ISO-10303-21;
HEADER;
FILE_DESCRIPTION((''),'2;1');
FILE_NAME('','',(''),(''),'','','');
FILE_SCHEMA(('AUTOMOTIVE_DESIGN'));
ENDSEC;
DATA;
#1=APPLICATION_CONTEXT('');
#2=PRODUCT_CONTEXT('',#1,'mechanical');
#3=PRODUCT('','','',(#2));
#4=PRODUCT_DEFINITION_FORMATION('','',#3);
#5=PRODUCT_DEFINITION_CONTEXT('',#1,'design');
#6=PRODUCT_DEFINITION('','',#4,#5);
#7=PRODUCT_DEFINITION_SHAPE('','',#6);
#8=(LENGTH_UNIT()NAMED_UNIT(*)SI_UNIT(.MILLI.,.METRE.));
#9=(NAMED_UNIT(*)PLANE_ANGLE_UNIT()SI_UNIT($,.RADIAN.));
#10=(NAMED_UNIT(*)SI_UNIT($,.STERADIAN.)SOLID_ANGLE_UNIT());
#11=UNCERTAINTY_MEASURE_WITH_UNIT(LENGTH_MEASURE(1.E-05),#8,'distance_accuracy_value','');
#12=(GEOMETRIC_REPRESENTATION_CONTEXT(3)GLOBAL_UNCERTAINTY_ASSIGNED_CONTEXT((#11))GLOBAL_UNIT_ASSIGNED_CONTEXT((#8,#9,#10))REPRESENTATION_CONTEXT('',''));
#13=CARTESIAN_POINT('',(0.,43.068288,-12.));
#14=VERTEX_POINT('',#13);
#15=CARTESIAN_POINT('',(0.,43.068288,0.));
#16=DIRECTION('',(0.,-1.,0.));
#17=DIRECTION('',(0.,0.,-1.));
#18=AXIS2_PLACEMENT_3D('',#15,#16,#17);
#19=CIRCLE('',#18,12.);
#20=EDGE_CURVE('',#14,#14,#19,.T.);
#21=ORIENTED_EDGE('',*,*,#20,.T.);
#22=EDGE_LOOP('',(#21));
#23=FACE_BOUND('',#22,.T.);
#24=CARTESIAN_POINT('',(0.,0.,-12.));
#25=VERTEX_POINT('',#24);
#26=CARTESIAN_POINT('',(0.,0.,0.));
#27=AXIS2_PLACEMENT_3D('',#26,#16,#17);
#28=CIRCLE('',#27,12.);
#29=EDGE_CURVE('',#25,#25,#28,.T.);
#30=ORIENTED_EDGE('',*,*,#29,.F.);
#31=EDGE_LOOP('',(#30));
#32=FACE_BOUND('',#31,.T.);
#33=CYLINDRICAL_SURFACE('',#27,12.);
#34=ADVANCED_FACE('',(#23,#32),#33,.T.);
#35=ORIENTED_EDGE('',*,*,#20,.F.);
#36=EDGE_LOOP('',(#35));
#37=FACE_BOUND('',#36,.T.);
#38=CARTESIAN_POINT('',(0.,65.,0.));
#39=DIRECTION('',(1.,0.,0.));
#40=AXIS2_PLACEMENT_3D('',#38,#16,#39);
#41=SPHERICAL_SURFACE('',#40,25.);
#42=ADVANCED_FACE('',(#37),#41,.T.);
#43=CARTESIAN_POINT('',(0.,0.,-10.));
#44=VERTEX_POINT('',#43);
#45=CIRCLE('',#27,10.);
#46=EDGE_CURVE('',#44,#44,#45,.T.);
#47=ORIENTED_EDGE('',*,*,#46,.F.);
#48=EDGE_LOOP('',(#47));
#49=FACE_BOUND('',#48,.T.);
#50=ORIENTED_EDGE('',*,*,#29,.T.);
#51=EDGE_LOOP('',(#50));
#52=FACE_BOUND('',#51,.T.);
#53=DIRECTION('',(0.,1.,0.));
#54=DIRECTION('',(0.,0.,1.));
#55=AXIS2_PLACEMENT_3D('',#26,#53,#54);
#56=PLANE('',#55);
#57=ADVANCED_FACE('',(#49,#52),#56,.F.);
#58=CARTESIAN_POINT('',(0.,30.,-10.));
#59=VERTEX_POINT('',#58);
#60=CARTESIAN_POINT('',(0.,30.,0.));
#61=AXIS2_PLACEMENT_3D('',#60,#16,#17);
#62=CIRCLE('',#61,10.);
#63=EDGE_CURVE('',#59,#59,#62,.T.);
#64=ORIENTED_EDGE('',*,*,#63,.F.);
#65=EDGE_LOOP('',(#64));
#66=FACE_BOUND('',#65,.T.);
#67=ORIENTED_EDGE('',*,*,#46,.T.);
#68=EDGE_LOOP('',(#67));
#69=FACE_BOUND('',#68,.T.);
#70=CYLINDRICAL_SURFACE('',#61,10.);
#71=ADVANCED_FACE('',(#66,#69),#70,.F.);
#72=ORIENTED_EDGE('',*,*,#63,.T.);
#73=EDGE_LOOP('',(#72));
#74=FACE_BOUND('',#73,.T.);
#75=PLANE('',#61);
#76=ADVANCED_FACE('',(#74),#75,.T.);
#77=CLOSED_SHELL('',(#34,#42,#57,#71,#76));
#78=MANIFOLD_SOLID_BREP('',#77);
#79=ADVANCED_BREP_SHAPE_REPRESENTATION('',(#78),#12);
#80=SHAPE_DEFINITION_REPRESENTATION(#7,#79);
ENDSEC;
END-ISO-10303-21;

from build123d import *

# Parameters (mm, degrees)
SKETCH2_R          = 10
SKETCH2_R_2        = 5
CUT_EXTRUDE1_DEPTH = 30


with BuildPart() as part:
    # Sketch1 → Revolve1 (revolve)
    with BuildSketch(Plane.XY, mode=Mode.PRIVATE) as revolve1_sk:
        with BuildLine():
            Line((0, 0), (-12, 0))
            Line((-12, 0), (-12, 43.068287801))
            ThreePointArc((-12, 43.068287801), (-24.220784514, 71.193028137), (0, 90))
            Line((0, 90), (0, 0))
        make_face()
    revolve(revolve1_sk.sketch.rotate(Axis((0, 0, 0), (0, 1, 0)), 180), axis=Axis((0, 0, 0), (0, 1, 0)))

    # Sketch2 → Cut-Extrude1 (cut)
    with BuildSketch(Plane(origin=(0, 0, 0), x_dir=(-1, 0, 0), z_dir=(0, -1, 0))):
        with Locations(Location((0, 0, 0), (0, 0, 90))):
            Circle(SKETCH2_R)
        with Locations((0, -22)):
            Circle(SKETCH2_R_2)
        with Locations((0, 22)):
            Circle(SKETCH2_R_2)
    extrude(amount=-CUT_EXTRUDE1_DEPTH, mode=Mode.SUBTRACT)


solid = part.part
